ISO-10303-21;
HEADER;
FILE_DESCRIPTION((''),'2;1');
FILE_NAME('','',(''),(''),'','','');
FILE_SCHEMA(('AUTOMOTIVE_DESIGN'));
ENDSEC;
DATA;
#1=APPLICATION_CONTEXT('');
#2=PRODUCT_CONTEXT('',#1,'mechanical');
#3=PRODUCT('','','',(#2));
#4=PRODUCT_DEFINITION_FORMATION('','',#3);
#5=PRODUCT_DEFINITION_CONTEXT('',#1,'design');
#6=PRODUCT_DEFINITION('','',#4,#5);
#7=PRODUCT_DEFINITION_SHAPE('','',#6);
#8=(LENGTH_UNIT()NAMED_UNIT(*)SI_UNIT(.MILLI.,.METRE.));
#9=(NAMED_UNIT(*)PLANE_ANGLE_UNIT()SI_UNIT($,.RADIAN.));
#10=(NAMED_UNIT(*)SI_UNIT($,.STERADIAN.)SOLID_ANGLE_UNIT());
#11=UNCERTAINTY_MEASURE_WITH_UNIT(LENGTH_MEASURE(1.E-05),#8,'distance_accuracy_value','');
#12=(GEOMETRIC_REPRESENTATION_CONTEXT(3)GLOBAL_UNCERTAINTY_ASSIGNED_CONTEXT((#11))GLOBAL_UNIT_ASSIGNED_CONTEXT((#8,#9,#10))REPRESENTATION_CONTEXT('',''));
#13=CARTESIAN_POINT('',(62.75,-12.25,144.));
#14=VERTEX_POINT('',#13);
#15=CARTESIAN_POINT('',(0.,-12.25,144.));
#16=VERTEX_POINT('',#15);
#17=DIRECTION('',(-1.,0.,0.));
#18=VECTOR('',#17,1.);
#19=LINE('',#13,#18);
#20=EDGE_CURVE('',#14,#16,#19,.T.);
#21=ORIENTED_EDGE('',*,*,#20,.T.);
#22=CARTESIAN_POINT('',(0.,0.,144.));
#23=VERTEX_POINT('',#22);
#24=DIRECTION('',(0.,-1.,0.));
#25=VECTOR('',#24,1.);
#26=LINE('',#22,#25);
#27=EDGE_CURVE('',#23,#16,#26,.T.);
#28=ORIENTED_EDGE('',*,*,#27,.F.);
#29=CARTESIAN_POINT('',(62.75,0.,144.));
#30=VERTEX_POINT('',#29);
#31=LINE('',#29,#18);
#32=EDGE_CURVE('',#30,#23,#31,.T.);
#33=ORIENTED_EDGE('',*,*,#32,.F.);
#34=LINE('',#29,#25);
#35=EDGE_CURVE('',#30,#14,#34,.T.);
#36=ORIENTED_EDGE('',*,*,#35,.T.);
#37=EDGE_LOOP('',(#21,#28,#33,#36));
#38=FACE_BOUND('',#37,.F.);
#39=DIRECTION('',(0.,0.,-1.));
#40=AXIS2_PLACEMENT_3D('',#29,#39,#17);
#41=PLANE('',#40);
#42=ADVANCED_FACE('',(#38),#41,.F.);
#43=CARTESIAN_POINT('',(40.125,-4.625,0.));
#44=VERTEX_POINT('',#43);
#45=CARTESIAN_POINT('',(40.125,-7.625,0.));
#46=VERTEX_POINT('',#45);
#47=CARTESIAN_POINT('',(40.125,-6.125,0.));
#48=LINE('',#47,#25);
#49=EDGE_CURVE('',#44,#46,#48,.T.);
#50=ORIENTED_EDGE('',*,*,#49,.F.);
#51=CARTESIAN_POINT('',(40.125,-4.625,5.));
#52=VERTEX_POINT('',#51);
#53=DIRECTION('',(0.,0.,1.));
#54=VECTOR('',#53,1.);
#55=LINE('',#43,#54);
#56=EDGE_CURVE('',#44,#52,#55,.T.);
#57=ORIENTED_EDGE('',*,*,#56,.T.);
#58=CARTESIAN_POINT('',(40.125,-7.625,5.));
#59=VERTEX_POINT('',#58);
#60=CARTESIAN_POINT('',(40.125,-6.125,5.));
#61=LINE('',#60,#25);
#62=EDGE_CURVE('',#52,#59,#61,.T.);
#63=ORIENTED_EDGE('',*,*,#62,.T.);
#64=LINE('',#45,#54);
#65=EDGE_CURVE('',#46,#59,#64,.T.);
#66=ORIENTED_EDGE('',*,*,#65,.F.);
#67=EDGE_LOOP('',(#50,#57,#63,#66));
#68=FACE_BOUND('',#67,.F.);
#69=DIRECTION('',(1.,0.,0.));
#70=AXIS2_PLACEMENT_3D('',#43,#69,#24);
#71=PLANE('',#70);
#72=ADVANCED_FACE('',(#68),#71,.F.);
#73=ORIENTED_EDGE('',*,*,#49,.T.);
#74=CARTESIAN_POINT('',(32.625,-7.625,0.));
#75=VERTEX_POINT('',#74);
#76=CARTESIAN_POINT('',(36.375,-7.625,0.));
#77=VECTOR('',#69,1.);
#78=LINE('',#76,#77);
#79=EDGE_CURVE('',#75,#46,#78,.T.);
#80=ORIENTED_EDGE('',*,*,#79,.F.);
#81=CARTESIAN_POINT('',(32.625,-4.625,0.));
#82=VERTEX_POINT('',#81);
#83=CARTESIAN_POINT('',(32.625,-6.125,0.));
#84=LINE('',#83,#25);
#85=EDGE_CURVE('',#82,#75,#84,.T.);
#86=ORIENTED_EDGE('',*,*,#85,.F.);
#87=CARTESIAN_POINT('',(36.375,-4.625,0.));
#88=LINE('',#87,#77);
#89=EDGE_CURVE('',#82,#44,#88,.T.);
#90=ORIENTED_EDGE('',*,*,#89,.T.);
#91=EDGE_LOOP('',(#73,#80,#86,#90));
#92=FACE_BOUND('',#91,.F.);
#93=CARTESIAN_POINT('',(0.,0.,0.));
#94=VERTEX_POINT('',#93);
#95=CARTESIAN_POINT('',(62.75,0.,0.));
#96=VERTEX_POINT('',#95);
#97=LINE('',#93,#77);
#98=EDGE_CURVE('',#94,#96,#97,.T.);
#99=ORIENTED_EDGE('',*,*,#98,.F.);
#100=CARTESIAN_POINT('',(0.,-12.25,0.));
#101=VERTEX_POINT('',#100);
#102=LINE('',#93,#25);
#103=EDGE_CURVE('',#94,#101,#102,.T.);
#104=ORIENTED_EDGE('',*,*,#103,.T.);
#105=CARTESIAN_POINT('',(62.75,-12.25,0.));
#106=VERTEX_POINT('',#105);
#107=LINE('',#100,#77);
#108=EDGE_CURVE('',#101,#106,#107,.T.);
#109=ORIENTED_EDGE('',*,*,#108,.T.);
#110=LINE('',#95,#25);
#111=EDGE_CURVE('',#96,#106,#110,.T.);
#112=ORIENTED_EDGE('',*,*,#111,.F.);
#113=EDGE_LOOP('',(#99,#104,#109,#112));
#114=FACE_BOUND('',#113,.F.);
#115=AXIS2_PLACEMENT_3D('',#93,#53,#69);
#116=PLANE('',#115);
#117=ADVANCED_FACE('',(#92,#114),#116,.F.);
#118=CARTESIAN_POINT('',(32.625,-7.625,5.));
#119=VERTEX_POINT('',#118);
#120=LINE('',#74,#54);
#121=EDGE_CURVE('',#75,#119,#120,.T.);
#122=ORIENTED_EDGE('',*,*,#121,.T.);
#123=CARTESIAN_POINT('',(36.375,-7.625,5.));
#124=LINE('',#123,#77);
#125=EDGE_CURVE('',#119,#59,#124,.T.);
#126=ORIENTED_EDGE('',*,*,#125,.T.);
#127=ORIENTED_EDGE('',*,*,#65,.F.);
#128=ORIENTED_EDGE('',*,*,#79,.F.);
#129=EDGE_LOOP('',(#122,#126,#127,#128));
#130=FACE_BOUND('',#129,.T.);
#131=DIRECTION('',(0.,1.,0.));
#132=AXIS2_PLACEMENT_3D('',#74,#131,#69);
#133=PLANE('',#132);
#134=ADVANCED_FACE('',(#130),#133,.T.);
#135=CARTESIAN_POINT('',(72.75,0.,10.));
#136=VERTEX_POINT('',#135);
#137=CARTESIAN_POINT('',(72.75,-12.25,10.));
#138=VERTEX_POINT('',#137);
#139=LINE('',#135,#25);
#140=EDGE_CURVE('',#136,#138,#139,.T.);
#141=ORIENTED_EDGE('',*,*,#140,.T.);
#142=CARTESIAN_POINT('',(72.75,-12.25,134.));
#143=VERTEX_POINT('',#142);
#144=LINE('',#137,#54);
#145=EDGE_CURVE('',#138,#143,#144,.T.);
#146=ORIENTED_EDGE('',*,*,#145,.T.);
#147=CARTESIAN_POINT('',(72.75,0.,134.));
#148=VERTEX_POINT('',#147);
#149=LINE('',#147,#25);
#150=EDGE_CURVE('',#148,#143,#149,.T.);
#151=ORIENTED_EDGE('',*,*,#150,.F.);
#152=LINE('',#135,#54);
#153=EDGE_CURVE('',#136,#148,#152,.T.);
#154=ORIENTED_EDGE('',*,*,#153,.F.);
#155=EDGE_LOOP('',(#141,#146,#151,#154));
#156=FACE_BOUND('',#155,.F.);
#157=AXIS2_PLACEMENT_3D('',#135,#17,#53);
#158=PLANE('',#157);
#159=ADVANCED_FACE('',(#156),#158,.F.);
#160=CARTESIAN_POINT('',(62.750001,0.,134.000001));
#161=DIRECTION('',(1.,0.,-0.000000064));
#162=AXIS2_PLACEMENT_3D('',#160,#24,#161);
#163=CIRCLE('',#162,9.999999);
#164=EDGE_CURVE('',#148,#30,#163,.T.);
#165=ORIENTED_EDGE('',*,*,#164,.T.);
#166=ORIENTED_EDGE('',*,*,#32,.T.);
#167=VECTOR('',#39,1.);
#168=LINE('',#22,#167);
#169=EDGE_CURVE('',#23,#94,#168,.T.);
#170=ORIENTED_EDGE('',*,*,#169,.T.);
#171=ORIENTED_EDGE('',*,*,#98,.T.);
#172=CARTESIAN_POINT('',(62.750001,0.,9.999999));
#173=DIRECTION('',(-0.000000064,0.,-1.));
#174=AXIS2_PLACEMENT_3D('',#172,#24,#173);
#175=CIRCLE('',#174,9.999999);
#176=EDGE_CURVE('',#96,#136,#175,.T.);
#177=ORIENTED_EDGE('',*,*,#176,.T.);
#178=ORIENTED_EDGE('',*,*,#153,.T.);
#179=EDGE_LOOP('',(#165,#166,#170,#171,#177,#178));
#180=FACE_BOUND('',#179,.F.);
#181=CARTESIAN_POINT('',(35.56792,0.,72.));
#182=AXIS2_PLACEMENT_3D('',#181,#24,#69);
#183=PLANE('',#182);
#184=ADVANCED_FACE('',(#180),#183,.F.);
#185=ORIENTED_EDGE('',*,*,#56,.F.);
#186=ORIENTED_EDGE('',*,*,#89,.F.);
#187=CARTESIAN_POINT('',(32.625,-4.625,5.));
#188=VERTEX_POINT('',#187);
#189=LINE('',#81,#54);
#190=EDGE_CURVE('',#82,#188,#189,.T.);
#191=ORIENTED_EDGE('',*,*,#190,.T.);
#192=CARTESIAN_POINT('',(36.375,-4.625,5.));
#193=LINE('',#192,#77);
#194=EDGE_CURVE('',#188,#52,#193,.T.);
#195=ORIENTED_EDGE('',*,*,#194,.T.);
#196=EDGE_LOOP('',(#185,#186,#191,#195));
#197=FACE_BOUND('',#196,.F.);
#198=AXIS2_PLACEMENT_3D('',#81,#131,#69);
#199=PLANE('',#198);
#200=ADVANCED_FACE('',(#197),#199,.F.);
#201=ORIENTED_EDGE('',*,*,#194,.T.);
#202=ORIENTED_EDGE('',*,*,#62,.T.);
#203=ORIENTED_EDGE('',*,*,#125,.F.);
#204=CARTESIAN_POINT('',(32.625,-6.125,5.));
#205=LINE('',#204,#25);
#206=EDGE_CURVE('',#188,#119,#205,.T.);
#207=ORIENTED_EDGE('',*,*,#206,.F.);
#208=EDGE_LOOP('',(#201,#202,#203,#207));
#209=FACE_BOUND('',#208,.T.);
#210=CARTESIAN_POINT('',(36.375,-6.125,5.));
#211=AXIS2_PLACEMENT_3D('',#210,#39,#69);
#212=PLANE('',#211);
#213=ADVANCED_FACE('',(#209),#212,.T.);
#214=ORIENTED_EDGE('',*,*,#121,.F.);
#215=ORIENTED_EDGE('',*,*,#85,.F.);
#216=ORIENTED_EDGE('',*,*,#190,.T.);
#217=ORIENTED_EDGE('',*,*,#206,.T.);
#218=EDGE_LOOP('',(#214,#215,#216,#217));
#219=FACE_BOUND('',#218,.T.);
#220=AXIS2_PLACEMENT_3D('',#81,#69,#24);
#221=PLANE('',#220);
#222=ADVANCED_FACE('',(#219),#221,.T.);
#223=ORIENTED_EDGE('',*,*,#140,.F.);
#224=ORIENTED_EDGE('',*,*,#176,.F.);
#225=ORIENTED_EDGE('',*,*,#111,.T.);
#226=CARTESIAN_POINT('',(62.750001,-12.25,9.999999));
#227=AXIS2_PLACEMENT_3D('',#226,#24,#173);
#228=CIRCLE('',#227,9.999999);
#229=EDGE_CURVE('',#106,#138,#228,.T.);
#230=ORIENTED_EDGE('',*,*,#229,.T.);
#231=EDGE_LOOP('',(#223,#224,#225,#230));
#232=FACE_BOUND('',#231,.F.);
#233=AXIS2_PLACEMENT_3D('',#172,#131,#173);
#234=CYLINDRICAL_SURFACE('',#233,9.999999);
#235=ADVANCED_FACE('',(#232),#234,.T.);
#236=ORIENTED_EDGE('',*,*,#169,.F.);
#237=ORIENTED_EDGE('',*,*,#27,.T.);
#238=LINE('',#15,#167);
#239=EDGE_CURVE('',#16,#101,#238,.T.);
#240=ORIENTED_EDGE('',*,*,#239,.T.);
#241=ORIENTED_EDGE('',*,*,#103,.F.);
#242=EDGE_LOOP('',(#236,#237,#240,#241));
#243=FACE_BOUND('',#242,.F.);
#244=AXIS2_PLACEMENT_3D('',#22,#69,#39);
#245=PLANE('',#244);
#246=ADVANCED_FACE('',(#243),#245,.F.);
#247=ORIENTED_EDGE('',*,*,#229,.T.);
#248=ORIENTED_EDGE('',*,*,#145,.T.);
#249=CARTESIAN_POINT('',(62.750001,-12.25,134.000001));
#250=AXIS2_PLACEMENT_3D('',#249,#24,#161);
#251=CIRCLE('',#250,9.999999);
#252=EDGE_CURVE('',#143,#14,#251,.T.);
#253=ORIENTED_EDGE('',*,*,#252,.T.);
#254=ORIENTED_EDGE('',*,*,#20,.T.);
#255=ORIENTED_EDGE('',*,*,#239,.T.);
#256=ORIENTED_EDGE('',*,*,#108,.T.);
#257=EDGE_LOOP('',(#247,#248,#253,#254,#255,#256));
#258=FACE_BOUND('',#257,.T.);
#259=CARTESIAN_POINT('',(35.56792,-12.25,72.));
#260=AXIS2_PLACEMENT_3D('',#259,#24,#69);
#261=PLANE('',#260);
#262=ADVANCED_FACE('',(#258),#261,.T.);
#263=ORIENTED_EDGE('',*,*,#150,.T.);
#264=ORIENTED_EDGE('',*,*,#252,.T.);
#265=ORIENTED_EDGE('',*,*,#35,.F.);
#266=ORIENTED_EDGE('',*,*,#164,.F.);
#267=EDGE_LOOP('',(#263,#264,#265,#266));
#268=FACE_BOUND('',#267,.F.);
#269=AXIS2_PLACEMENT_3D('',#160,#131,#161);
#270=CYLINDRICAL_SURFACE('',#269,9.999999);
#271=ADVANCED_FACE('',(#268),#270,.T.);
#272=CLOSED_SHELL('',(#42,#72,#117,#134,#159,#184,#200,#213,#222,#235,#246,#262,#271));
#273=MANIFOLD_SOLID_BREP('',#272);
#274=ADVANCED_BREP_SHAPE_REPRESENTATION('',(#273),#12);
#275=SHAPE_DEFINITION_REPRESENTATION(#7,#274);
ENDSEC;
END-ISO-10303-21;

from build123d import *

# Parameters (mm, degrees)
F1_DEPTH = 12.25
F2_W     = 7.5
F2_H     = 3
F3_DEPTH = 5


with BuildPart() as f1:
    # F0 (on Front) → F1 (new body)
    with BuildSketch(Plane.XZ):
        with BuildLine():
            ThreePointArc((72.75, 134), (69.821068, 141.071068), (62.75, 144))
            Line((62.75, 144), (0, 144))
            Line((0, 144), (0, 0))
            Line((0, 0), (62.75, 0))
            ThreePointArc((62.75, 0), (69.821068, 2.928932), (72.75, 10))
            Line((72.75, 10), (72.75, 134))
        make_face()
    extrude(amount=F1_DEPTH)

    # F2 (on face) → F3 (cut)
    with BuildSketch(Plane(origin=(0, 0, 0), x_dir=(1, 0, 0), z_dir=(0, 0, -1))):
        with Locations((36.375, 6.125)):
            Rectangle(F2_W, F2_H)
    extrude(amount=-F3_DEPTH, mode=Mode.SUBTRACT)


solid = f1.part
